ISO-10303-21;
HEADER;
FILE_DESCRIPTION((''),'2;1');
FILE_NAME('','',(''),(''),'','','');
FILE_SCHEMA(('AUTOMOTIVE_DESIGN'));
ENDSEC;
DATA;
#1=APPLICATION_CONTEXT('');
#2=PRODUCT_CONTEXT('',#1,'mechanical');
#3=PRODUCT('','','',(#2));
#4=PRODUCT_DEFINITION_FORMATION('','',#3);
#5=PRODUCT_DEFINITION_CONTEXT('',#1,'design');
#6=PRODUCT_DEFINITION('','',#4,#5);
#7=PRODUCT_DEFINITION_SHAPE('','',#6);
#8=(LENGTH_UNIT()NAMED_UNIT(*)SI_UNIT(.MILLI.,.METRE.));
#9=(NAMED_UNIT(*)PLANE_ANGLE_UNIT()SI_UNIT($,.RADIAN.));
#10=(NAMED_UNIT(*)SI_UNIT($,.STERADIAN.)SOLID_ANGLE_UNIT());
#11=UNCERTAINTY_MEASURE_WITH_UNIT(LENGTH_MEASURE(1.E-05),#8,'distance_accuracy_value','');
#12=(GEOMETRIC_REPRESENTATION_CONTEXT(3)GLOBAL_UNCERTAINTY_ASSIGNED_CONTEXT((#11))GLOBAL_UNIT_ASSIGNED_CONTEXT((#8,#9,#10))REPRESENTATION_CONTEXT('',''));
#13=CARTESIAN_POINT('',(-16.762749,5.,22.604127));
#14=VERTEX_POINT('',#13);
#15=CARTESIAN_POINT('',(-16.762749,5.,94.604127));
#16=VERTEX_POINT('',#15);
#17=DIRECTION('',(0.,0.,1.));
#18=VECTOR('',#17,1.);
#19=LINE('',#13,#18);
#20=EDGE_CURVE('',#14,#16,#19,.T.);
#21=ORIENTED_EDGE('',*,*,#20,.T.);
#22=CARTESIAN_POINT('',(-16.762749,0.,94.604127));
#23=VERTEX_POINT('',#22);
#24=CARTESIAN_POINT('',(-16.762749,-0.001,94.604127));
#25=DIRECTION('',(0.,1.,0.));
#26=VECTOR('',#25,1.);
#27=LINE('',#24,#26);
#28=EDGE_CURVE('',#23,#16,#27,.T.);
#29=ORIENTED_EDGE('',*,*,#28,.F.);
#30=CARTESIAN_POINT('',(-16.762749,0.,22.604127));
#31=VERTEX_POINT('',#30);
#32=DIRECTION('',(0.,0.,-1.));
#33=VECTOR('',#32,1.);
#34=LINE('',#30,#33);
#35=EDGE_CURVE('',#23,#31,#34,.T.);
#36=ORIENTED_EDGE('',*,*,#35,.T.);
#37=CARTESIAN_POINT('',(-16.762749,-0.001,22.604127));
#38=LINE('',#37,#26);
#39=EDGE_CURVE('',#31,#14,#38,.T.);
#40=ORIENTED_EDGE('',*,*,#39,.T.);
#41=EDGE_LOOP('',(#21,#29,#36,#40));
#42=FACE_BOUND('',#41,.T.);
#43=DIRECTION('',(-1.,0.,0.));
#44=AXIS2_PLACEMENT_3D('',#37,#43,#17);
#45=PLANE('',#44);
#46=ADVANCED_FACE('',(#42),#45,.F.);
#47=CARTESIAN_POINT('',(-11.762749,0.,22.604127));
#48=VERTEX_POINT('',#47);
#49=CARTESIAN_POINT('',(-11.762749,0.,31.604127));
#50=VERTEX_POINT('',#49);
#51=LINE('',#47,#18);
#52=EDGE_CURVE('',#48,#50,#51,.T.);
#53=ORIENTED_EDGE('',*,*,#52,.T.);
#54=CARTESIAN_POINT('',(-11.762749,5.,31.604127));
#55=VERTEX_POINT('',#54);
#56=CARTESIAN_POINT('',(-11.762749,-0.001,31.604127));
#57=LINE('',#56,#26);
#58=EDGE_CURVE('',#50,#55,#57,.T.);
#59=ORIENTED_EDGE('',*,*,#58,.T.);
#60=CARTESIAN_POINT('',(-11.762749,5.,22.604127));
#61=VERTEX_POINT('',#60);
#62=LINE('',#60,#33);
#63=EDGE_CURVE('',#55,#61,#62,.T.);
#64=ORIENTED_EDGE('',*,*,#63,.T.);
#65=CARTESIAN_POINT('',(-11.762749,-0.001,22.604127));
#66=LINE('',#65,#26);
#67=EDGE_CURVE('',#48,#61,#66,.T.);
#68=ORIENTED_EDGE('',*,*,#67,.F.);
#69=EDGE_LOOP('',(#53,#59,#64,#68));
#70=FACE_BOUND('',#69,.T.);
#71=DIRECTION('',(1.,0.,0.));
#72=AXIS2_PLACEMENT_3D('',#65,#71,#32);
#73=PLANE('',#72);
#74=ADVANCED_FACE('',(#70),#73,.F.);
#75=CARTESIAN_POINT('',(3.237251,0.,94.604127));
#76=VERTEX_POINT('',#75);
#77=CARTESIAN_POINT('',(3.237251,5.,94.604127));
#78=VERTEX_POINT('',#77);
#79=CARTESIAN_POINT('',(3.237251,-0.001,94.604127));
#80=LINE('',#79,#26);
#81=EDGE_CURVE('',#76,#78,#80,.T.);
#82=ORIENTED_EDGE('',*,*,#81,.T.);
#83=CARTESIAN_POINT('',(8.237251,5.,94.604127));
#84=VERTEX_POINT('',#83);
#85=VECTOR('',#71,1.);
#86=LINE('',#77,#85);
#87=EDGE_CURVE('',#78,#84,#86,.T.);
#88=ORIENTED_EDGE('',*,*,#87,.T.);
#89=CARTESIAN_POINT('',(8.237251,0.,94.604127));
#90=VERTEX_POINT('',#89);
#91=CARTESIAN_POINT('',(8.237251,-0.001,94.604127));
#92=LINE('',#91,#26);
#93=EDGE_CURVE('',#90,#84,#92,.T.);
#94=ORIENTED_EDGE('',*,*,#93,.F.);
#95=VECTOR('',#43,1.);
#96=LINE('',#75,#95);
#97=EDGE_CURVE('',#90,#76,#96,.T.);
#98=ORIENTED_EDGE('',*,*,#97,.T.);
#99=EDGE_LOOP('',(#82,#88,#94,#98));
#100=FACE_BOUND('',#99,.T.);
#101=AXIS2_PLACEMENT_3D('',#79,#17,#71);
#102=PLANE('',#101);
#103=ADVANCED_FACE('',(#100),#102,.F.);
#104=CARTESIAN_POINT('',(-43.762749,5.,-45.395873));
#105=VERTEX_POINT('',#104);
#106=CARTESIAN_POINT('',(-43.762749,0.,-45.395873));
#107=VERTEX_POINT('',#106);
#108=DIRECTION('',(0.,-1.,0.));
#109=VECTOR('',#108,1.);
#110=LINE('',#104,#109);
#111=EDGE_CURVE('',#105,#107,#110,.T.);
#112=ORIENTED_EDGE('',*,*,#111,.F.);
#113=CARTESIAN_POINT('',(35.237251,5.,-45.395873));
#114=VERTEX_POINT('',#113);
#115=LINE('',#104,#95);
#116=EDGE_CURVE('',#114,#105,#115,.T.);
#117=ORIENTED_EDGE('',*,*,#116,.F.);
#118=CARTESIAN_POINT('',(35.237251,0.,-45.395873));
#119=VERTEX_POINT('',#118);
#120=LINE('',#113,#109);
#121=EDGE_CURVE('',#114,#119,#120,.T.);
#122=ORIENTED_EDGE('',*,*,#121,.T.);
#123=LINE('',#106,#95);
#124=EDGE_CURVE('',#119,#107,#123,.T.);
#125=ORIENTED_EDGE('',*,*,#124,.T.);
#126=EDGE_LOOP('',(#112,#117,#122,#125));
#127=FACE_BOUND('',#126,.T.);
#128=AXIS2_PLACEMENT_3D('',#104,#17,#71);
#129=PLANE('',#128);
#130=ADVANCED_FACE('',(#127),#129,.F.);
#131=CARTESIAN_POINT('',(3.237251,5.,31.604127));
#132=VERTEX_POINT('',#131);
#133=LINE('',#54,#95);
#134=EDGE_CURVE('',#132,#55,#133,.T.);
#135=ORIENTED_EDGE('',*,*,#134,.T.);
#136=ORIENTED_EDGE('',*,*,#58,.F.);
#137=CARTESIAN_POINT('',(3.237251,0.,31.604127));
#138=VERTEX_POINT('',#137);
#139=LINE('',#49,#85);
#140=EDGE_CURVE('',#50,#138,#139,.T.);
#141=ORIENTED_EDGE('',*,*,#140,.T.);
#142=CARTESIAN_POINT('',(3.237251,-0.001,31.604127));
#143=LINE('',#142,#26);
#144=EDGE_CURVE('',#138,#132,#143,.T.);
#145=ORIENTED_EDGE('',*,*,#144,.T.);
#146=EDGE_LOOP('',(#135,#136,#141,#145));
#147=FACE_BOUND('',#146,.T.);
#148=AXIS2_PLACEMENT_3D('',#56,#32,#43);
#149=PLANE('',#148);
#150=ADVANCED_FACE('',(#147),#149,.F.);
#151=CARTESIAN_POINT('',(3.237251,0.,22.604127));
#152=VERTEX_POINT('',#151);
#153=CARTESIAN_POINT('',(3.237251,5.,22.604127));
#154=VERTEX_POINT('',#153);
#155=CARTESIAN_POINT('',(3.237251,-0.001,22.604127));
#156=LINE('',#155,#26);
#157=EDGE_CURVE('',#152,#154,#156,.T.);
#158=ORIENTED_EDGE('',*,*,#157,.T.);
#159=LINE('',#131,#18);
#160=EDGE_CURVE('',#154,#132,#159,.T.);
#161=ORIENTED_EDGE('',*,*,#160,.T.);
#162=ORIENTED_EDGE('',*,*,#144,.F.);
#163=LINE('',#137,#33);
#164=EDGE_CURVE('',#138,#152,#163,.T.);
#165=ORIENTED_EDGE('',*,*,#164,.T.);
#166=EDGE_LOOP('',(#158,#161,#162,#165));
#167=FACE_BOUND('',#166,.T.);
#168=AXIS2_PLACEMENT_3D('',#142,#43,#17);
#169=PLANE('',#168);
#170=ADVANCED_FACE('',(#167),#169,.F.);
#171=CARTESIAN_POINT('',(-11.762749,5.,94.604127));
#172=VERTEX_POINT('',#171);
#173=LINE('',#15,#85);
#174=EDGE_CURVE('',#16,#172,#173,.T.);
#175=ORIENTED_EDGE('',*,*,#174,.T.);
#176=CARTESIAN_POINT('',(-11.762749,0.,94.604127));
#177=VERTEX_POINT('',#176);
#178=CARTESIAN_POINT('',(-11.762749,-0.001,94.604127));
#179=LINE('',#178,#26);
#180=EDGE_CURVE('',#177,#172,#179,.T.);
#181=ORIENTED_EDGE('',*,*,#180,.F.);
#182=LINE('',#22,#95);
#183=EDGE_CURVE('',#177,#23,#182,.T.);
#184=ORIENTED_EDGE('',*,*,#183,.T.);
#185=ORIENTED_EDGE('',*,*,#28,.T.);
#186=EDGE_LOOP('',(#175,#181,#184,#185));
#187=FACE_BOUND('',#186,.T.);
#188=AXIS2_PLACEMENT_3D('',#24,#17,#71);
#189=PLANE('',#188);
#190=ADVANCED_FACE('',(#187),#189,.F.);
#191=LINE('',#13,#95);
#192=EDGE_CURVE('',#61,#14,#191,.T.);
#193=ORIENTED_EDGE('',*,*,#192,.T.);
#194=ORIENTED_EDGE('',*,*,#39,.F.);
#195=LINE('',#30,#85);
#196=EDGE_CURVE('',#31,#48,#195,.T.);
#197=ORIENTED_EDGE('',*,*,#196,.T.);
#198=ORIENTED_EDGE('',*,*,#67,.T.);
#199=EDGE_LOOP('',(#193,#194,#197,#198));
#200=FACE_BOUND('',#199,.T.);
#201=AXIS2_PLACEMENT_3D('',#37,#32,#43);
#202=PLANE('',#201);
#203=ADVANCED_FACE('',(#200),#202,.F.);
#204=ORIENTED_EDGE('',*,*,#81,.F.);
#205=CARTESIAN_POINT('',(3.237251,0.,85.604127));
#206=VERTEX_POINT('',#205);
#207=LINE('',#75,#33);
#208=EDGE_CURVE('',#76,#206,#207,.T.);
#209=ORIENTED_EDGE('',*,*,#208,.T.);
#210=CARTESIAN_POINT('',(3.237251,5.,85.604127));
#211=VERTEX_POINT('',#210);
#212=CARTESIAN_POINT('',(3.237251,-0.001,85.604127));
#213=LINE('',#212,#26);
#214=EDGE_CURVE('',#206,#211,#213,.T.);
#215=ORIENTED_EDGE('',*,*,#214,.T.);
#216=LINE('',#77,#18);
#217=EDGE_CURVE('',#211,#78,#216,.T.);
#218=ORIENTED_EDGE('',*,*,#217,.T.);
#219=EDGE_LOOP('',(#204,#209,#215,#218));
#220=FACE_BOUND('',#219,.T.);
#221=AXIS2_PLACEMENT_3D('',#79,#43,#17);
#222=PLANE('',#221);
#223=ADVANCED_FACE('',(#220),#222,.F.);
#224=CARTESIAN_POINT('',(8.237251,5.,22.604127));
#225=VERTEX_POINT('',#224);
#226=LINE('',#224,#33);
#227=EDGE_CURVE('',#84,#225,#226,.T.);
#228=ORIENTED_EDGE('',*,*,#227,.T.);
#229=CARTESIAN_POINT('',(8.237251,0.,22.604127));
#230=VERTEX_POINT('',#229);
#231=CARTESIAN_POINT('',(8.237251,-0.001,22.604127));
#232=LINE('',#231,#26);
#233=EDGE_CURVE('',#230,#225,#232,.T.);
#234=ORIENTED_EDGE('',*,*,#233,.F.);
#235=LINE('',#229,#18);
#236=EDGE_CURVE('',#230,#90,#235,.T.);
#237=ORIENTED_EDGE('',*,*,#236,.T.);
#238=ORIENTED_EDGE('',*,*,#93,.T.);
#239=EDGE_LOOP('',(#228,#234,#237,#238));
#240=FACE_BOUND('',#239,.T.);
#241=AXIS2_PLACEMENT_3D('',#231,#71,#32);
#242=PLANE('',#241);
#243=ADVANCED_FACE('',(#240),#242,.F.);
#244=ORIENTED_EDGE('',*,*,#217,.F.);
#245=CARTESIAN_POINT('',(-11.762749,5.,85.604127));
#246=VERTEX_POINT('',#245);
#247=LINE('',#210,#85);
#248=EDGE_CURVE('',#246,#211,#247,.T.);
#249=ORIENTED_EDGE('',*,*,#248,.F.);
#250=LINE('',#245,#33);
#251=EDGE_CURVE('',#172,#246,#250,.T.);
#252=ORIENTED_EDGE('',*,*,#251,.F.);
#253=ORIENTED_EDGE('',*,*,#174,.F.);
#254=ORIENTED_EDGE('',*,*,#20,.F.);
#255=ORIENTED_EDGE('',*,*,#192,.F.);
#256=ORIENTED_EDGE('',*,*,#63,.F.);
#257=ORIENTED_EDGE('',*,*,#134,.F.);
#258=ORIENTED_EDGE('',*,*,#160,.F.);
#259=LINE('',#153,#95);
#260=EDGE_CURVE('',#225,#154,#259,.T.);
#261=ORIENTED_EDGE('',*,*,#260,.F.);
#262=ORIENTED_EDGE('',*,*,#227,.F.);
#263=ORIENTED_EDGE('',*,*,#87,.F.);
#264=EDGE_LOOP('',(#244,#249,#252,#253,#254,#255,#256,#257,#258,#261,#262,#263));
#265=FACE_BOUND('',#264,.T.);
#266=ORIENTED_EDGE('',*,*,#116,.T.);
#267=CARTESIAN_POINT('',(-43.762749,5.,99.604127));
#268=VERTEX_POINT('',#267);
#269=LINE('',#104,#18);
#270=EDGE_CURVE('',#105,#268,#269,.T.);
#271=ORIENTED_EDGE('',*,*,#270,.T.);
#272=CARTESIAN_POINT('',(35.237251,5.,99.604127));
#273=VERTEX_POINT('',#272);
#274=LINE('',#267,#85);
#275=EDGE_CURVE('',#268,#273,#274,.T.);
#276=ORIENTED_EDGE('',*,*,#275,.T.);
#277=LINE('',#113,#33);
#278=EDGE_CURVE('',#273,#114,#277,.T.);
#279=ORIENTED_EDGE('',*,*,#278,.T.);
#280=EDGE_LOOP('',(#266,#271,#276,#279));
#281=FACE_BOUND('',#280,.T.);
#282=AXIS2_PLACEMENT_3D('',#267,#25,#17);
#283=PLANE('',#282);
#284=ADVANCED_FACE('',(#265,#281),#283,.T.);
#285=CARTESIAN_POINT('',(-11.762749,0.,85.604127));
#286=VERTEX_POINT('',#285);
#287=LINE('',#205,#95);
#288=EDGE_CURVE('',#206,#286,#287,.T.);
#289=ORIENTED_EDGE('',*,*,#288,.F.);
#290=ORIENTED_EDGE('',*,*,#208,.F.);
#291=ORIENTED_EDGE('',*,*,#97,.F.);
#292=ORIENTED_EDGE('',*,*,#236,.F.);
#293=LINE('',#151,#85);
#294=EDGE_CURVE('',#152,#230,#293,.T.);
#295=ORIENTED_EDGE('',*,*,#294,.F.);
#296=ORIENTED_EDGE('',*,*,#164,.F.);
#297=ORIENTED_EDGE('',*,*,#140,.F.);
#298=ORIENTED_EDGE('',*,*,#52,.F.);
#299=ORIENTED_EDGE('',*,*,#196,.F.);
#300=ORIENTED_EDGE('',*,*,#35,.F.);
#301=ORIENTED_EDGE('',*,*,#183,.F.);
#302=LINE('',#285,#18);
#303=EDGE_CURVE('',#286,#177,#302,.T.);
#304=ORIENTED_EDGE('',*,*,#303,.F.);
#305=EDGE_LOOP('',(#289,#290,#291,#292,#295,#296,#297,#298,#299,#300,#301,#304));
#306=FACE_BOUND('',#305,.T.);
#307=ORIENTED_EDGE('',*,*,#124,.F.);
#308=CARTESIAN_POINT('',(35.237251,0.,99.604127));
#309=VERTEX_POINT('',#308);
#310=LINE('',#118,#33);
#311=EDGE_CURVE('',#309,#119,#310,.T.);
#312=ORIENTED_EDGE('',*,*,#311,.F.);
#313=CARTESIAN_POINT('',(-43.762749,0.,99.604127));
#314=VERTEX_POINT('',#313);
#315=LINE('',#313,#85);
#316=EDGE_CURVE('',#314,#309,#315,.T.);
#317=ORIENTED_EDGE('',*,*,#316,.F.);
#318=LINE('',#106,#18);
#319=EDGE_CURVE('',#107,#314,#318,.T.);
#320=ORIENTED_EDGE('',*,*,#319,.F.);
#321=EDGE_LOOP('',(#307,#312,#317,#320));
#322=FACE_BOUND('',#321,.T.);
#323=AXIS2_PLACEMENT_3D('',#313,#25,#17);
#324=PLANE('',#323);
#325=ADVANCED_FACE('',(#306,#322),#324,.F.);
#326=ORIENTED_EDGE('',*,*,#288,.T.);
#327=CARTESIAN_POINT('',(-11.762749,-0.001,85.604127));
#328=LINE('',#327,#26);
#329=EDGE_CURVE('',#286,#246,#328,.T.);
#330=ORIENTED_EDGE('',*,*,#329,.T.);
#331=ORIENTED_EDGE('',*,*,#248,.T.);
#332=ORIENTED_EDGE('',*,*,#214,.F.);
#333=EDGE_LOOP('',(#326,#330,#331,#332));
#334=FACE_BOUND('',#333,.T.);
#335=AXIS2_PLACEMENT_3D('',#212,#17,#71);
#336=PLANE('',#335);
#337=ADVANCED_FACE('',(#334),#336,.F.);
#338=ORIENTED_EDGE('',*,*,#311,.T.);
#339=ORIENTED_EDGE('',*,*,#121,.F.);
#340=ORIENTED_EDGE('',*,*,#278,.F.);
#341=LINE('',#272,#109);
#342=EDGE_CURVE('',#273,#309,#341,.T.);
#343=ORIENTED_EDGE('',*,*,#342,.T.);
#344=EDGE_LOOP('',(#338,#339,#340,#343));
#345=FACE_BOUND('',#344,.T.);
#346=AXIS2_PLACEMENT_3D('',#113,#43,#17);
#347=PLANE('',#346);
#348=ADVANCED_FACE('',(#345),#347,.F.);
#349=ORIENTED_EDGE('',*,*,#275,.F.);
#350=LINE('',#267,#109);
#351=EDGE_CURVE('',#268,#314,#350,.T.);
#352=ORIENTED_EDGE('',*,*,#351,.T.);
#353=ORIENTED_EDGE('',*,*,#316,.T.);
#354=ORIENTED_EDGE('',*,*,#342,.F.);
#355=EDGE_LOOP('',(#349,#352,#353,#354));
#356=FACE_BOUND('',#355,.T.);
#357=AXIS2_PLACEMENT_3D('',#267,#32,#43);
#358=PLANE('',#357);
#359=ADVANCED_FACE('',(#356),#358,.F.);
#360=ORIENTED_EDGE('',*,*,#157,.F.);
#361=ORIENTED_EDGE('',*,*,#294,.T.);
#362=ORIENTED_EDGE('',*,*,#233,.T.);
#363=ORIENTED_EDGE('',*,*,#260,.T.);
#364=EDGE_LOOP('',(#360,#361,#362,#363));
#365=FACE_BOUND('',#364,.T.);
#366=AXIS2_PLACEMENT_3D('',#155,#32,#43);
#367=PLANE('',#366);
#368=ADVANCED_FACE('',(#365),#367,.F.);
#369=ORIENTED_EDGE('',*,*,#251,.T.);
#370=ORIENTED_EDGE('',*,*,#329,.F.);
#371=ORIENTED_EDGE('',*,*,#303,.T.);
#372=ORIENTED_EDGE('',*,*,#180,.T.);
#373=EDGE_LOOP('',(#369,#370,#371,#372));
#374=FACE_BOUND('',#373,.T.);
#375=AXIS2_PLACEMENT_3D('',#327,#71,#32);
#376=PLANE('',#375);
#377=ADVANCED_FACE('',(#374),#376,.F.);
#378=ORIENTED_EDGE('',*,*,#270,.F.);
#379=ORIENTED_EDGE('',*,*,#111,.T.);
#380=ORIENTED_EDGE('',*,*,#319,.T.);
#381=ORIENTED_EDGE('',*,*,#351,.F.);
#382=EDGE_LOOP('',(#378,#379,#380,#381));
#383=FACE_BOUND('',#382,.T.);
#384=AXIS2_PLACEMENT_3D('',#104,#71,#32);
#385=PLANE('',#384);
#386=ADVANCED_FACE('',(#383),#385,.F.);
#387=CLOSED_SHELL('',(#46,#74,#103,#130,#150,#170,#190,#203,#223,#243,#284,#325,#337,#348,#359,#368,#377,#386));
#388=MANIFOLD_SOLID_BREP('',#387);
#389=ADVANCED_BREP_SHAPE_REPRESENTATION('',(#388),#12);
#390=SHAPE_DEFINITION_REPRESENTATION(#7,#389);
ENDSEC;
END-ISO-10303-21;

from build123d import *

# Parameters (mm, degrees)
ESQUISSE1_W      = 79
ESQUISSE1_H      = 145
EXTRUSION1_DEPTH = 5
EXTRUSION2_REACH = 110.909


with BuildPart() as part:
    # Esquisse1 → Extrusion1 (new body)
    with BuildSketch(Plane(origin=(0, 0, 0), x_dir=(1, 0, 0), z_dir=(0, 1, 0))):
        with Locations((-4.262748952, -27.104127358)):
            Rectangle(ESQUISSE1_W, ESQUISSE1_H)
    extrude(amount=EXTRUSION1_DEPTH)

    # Esquisse2 → Extrusion2 (cut, up to next)
    with BuildSketch(Plane(origin=(0, 5, 0), x_dir=(1, 0, 0), z_dir=(0, 1, 0)), mode=Mode.PRIVATE) as extrusion2_sk1:
        Polygon((-16.762748952, -22.604127358), (-11.762748952, -22.604127358), (-11.762748952, -31.604127358), (3.237251048, -31.604127358), (3.237251048, -22.604127358), (8.237251048, -22.604127358), (8.237251048, -94.604127358), (3.237251048, -94.604127358), (3.237251048, -85.604127358), (-11.762748952, -85.604127358), (-11.762748952, -94.604127358), (-16.762748952, -94.604127358), align=None)
    extrusion2_tool1 = extrude(extrusion2_sk1.sketch, amount=-EXTRUSION2_REACH, mode=Mode.PRIVATE) & part.part
    add(extrusion2_tool1.solids().sort_by_distance((-4.262749, 5, 58.604127))[0], mode=Mode.SUBTRACT)


solid = part.part
